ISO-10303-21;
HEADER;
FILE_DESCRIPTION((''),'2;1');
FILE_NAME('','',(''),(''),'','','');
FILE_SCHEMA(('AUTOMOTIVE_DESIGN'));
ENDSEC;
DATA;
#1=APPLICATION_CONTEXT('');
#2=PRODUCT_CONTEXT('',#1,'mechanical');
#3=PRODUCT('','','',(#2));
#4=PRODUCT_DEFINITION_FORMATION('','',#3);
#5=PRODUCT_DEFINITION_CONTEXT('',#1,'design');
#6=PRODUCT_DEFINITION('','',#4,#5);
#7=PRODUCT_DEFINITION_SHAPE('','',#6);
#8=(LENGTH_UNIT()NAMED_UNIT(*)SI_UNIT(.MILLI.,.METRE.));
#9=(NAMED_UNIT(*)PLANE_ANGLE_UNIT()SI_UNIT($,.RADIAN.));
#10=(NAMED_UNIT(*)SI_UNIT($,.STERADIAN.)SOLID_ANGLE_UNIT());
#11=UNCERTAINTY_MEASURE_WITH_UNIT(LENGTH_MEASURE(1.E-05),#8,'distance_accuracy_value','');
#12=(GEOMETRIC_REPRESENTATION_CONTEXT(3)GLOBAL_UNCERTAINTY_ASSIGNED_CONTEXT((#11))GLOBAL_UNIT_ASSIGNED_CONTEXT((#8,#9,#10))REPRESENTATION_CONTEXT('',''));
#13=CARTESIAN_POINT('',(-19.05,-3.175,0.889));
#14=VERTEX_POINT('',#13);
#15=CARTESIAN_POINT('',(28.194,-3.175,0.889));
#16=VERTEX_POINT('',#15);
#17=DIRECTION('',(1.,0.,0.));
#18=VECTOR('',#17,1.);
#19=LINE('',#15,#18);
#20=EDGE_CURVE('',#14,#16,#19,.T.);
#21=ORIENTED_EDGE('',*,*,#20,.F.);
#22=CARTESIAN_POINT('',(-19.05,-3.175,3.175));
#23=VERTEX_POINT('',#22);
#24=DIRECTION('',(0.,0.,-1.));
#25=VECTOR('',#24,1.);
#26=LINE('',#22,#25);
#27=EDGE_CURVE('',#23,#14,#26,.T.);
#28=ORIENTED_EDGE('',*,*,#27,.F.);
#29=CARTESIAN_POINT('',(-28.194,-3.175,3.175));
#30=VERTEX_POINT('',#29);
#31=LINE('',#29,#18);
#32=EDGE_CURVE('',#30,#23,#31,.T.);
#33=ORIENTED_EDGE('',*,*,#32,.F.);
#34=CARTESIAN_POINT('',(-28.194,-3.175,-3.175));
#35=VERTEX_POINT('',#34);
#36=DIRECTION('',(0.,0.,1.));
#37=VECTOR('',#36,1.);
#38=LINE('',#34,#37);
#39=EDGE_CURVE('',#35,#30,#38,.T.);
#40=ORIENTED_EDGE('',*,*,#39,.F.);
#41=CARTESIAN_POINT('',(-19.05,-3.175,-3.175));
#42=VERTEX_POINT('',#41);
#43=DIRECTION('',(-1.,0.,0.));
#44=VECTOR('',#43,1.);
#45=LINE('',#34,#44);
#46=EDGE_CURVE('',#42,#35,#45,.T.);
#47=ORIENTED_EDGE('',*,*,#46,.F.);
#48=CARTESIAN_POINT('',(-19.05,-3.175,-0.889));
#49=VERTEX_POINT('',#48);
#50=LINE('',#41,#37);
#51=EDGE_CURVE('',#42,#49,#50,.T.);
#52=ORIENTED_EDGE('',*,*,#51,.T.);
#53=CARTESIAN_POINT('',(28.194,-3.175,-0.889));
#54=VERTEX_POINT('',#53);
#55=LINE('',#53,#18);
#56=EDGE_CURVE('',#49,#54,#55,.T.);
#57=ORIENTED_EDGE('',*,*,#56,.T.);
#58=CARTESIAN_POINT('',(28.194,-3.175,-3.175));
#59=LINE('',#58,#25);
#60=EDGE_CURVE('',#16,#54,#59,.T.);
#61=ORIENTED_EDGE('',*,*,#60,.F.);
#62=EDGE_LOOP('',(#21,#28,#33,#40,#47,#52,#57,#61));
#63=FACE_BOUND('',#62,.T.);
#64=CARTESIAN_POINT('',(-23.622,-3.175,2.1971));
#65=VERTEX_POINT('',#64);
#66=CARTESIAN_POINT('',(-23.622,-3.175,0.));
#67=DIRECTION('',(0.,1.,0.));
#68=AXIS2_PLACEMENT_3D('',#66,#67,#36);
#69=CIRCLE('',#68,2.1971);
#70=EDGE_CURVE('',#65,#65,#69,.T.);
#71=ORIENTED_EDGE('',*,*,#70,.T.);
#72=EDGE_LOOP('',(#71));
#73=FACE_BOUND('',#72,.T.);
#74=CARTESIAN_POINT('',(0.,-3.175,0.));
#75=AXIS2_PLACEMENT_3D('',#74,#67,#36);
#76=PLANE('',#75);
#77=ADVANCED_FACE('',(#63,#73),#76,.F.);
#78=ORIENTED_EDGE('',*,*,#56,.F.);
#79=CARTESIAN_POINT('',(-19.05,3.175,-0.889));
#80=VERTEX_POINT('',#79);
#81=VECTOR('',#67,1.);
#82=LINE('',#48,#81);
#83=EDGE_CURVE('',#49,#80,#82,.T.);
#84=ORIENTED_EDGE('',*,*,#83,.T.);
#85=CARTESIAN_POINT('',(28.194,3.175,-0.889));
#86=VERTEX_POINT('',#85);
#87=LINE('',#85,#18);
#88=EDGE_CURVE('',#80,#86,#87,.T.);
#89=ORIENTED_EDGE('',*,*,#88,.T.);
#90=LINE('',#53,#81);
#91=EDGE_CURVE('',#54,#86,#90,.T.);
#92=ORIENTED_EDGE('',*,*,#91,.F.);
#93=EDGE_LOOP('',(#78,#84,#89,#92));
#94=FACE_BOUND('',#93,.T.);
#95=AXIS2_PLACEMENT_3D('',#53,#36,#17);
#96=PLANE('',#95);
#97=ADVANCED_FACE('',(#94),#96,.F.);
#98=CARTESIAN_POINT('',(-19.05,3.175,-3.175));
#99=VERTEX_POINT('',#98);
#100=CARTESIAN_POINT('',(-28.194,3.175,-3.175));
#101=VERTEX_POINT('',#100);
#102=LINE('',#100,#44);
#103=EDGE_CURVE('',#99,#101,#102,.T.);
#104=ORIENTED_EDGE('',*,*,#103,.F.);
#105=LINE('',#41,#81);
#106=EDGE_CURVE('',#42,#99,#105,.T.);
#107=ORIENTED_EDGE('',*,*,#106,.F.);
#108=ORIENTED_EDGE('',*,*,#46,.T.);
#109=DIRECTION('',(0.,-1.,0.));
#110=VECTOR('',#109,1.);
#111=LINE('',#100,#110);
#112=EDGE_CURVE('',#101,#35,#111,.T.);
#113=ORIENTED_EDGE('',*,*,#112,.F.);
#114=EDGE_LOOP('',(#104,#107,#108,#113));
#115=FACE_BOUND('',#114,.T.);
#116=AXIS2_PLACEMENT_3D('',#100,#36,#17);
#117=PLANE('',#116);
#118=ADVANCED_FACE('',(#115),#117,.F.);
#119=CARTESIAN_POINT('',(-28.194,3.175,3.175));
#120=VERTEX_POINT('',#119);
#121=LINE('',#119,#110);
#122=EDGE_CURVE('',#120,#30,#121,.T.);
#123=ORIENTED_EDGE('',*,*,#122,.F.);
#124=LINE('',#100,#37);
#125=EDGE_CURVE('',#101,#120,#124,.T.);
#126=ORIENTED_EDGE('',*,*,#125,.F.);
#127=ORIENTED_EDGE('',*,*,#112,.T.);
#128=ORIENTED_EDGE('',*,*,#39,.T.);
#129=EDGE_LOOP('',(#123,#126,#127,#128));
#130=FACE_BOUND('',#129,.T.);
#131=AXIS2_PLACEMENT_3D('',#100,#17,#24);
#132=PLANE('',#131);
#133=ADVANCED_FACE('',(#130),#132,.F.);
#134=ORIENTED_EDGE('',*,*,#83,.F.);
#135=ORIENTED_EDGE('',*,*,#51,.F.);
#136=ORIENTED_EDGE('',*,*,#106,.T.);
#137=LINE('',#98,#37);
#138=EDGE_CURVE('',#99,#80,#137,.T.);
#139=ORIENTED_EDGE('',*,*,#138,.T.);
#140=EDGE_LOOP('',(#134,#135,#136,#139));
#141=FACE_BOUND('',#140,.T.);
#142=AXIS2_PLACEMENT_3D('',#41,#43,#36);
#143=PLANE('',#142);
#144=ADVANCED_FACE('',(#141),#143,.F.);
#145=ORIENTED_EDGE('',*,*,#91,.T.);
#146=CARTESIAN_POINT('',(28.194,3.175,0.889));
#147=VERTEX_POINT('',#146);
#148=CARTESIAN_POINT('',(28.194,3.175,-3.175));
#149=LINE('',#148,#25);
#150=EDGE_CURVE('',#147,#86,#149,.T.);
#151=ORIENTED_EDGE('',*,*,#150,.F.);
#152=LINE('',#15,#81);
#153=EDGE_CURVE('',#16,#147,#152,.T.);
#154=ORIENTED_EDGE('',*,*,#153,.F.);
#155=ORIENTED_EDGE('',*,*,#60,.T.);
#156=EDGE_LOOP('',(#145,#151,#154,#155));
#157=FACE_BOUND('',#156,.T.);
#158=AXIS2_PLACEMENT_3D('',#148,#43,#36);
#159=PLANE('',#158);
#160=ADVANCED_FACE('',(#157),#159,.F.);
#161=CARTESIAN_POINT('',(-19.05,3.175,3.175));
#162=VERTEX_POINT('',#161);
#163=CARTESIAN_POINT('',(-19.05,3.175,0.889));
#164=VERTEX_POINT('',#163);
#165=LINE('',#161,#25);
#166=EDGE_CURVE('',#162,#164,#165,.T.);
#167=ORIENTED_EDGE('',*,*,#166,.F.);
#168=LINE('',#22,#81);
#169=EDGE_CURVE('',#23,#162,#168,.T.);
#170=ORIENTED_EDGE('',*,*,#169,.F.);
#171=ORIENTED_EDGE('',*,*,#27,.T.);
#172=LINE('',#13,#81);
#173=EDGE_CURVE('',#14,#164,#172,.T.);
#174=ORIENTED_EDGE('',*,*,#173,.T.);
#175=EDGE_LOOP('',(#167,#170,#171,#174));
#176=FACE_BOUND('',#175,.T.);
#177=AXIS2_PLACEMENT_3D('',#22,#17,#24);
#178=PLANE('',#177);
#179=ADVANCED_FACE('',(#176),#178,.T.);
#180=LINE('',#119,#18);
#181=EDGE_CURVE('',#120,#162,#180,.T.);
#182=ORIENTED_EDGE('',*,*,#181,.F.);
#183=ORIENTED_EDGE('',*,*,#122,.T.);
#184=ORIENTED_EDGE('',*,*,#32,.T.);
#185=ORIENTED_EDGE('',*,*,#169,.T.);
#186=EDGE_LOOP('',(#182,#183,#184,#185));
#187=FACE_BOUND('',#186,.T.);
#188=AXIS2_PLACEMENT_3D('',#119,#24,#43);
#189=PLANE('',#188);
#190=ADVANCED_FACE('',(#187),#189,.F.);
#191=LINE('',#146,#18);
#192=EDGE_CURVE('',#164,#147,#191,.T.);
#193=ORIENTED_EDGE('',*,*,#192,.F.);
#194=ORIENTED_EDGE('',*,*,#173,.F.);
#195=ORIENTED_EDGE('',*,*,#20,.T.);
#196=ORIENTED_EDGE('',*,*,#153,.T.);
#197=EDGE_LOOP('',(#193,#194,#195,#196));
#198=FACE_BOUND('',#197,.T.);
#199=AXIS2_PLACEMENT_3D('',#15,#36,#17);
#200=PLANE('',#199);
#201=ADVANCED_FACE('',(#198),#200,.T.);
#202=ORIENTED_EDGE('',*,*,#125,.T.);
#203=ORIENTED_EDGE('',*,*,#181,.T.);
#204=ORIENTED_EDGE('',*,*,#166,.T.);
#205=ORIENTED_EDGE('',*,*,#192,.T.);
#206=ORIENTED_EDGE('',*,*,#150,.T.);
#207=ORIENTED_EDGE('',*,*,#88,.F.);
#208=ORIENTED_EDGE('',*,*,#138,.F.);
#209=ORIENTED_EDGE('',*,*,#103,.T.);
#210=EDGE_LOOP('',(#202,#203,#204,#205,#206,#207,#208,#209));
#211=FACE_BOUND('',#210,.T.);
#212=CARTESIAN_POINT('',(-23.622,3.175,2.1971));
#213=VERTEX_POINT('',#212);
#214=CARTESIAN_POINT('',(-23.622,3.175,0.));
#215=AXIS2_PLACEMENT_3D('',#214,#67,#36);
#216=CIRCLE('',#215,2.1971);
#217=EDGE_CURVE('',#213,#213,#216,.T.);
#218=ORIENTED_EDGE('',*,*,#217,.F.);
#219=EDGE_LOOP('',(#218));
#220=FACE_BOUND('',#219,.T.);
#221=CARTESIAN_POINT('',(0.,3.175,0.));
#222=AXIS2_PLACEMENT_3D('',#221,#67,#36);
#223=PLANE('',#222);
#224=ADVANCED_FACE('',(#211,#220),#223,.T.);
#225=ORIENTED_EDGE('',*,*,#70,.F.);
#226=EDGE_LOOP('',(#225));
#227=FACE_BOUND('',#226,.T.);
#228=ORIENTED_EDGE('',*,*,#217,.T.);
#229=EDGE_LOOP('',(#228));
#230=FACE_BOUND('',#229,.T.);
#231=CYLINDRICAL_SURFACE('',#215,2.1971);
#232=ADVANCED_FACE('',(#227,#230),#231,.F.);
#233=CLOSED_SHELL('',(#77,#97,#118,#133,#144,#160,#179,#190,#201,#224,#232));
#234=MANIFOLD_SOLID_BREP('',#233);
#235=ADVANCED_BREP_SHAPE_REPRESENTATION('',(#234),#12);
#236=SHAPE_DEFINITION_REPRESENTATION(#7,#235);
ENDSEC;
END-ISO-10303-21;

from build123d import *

# Parameters (mm, degrees)
SKETCH1_W                   = 56.388
SKETCH1_H                   = 6.35
BOSS_EXTRUDE1_DEPTH         = 3.175
F_17_0_173_DIAMETER_HOLE1_D = 4.3942
SKETCH4_W                   = 47.244
SKETCH4_H                   = 2.286
CUT_EXTRUDE1_DEPTH          = 30.074125283


with BuildPart() as part:
    # Sketch1 → Boss-Extrude1 (new, symmetric)
    with BuildSketch(Plane(origin=(0, 0, 0), x_dir=(1, 0, 0), z_dir=(0, 1, 0))):
        Rectangle(SKETCH1_W, SKETCH1_H)
    extrude(amount=BOSS_EXTRUDE1_DEPTH, both=True)

    # #17 (0.173) Diameter Hole1 (through all)
    with Locations(Plane(origin=(0, 3.175, 0), x_dir=(1, 0, 0), z_dir=(0, 1, 0))):
        with Locations((-23.622, 0)):
            Hole(F_17_0_173_DIAMETER_HOLE1_D / 2)

    # Sketch4 → Cut-Extrude1 (cut, through all)
    with BuildSketch(Plane(origin=(0, 3.175, 0), x_dir=(1, 0, 0), z_dir=(0, 1, 0))):
        with Locations((4.572, 2.032)):
            Rectangle(SKETCH4_W, SKETCH4_H)
    cut_extrude1 = extrude(amount=-CUT_EXTRUDE1_DEPTH, mode=Mode.SUBTRACT)

    # Mirror1: Cut-Extrude1 across plane
    add(cut_extrude1.mirror(Plane.XY), mode=Mode.SUBTRACT)


solid = part.part
